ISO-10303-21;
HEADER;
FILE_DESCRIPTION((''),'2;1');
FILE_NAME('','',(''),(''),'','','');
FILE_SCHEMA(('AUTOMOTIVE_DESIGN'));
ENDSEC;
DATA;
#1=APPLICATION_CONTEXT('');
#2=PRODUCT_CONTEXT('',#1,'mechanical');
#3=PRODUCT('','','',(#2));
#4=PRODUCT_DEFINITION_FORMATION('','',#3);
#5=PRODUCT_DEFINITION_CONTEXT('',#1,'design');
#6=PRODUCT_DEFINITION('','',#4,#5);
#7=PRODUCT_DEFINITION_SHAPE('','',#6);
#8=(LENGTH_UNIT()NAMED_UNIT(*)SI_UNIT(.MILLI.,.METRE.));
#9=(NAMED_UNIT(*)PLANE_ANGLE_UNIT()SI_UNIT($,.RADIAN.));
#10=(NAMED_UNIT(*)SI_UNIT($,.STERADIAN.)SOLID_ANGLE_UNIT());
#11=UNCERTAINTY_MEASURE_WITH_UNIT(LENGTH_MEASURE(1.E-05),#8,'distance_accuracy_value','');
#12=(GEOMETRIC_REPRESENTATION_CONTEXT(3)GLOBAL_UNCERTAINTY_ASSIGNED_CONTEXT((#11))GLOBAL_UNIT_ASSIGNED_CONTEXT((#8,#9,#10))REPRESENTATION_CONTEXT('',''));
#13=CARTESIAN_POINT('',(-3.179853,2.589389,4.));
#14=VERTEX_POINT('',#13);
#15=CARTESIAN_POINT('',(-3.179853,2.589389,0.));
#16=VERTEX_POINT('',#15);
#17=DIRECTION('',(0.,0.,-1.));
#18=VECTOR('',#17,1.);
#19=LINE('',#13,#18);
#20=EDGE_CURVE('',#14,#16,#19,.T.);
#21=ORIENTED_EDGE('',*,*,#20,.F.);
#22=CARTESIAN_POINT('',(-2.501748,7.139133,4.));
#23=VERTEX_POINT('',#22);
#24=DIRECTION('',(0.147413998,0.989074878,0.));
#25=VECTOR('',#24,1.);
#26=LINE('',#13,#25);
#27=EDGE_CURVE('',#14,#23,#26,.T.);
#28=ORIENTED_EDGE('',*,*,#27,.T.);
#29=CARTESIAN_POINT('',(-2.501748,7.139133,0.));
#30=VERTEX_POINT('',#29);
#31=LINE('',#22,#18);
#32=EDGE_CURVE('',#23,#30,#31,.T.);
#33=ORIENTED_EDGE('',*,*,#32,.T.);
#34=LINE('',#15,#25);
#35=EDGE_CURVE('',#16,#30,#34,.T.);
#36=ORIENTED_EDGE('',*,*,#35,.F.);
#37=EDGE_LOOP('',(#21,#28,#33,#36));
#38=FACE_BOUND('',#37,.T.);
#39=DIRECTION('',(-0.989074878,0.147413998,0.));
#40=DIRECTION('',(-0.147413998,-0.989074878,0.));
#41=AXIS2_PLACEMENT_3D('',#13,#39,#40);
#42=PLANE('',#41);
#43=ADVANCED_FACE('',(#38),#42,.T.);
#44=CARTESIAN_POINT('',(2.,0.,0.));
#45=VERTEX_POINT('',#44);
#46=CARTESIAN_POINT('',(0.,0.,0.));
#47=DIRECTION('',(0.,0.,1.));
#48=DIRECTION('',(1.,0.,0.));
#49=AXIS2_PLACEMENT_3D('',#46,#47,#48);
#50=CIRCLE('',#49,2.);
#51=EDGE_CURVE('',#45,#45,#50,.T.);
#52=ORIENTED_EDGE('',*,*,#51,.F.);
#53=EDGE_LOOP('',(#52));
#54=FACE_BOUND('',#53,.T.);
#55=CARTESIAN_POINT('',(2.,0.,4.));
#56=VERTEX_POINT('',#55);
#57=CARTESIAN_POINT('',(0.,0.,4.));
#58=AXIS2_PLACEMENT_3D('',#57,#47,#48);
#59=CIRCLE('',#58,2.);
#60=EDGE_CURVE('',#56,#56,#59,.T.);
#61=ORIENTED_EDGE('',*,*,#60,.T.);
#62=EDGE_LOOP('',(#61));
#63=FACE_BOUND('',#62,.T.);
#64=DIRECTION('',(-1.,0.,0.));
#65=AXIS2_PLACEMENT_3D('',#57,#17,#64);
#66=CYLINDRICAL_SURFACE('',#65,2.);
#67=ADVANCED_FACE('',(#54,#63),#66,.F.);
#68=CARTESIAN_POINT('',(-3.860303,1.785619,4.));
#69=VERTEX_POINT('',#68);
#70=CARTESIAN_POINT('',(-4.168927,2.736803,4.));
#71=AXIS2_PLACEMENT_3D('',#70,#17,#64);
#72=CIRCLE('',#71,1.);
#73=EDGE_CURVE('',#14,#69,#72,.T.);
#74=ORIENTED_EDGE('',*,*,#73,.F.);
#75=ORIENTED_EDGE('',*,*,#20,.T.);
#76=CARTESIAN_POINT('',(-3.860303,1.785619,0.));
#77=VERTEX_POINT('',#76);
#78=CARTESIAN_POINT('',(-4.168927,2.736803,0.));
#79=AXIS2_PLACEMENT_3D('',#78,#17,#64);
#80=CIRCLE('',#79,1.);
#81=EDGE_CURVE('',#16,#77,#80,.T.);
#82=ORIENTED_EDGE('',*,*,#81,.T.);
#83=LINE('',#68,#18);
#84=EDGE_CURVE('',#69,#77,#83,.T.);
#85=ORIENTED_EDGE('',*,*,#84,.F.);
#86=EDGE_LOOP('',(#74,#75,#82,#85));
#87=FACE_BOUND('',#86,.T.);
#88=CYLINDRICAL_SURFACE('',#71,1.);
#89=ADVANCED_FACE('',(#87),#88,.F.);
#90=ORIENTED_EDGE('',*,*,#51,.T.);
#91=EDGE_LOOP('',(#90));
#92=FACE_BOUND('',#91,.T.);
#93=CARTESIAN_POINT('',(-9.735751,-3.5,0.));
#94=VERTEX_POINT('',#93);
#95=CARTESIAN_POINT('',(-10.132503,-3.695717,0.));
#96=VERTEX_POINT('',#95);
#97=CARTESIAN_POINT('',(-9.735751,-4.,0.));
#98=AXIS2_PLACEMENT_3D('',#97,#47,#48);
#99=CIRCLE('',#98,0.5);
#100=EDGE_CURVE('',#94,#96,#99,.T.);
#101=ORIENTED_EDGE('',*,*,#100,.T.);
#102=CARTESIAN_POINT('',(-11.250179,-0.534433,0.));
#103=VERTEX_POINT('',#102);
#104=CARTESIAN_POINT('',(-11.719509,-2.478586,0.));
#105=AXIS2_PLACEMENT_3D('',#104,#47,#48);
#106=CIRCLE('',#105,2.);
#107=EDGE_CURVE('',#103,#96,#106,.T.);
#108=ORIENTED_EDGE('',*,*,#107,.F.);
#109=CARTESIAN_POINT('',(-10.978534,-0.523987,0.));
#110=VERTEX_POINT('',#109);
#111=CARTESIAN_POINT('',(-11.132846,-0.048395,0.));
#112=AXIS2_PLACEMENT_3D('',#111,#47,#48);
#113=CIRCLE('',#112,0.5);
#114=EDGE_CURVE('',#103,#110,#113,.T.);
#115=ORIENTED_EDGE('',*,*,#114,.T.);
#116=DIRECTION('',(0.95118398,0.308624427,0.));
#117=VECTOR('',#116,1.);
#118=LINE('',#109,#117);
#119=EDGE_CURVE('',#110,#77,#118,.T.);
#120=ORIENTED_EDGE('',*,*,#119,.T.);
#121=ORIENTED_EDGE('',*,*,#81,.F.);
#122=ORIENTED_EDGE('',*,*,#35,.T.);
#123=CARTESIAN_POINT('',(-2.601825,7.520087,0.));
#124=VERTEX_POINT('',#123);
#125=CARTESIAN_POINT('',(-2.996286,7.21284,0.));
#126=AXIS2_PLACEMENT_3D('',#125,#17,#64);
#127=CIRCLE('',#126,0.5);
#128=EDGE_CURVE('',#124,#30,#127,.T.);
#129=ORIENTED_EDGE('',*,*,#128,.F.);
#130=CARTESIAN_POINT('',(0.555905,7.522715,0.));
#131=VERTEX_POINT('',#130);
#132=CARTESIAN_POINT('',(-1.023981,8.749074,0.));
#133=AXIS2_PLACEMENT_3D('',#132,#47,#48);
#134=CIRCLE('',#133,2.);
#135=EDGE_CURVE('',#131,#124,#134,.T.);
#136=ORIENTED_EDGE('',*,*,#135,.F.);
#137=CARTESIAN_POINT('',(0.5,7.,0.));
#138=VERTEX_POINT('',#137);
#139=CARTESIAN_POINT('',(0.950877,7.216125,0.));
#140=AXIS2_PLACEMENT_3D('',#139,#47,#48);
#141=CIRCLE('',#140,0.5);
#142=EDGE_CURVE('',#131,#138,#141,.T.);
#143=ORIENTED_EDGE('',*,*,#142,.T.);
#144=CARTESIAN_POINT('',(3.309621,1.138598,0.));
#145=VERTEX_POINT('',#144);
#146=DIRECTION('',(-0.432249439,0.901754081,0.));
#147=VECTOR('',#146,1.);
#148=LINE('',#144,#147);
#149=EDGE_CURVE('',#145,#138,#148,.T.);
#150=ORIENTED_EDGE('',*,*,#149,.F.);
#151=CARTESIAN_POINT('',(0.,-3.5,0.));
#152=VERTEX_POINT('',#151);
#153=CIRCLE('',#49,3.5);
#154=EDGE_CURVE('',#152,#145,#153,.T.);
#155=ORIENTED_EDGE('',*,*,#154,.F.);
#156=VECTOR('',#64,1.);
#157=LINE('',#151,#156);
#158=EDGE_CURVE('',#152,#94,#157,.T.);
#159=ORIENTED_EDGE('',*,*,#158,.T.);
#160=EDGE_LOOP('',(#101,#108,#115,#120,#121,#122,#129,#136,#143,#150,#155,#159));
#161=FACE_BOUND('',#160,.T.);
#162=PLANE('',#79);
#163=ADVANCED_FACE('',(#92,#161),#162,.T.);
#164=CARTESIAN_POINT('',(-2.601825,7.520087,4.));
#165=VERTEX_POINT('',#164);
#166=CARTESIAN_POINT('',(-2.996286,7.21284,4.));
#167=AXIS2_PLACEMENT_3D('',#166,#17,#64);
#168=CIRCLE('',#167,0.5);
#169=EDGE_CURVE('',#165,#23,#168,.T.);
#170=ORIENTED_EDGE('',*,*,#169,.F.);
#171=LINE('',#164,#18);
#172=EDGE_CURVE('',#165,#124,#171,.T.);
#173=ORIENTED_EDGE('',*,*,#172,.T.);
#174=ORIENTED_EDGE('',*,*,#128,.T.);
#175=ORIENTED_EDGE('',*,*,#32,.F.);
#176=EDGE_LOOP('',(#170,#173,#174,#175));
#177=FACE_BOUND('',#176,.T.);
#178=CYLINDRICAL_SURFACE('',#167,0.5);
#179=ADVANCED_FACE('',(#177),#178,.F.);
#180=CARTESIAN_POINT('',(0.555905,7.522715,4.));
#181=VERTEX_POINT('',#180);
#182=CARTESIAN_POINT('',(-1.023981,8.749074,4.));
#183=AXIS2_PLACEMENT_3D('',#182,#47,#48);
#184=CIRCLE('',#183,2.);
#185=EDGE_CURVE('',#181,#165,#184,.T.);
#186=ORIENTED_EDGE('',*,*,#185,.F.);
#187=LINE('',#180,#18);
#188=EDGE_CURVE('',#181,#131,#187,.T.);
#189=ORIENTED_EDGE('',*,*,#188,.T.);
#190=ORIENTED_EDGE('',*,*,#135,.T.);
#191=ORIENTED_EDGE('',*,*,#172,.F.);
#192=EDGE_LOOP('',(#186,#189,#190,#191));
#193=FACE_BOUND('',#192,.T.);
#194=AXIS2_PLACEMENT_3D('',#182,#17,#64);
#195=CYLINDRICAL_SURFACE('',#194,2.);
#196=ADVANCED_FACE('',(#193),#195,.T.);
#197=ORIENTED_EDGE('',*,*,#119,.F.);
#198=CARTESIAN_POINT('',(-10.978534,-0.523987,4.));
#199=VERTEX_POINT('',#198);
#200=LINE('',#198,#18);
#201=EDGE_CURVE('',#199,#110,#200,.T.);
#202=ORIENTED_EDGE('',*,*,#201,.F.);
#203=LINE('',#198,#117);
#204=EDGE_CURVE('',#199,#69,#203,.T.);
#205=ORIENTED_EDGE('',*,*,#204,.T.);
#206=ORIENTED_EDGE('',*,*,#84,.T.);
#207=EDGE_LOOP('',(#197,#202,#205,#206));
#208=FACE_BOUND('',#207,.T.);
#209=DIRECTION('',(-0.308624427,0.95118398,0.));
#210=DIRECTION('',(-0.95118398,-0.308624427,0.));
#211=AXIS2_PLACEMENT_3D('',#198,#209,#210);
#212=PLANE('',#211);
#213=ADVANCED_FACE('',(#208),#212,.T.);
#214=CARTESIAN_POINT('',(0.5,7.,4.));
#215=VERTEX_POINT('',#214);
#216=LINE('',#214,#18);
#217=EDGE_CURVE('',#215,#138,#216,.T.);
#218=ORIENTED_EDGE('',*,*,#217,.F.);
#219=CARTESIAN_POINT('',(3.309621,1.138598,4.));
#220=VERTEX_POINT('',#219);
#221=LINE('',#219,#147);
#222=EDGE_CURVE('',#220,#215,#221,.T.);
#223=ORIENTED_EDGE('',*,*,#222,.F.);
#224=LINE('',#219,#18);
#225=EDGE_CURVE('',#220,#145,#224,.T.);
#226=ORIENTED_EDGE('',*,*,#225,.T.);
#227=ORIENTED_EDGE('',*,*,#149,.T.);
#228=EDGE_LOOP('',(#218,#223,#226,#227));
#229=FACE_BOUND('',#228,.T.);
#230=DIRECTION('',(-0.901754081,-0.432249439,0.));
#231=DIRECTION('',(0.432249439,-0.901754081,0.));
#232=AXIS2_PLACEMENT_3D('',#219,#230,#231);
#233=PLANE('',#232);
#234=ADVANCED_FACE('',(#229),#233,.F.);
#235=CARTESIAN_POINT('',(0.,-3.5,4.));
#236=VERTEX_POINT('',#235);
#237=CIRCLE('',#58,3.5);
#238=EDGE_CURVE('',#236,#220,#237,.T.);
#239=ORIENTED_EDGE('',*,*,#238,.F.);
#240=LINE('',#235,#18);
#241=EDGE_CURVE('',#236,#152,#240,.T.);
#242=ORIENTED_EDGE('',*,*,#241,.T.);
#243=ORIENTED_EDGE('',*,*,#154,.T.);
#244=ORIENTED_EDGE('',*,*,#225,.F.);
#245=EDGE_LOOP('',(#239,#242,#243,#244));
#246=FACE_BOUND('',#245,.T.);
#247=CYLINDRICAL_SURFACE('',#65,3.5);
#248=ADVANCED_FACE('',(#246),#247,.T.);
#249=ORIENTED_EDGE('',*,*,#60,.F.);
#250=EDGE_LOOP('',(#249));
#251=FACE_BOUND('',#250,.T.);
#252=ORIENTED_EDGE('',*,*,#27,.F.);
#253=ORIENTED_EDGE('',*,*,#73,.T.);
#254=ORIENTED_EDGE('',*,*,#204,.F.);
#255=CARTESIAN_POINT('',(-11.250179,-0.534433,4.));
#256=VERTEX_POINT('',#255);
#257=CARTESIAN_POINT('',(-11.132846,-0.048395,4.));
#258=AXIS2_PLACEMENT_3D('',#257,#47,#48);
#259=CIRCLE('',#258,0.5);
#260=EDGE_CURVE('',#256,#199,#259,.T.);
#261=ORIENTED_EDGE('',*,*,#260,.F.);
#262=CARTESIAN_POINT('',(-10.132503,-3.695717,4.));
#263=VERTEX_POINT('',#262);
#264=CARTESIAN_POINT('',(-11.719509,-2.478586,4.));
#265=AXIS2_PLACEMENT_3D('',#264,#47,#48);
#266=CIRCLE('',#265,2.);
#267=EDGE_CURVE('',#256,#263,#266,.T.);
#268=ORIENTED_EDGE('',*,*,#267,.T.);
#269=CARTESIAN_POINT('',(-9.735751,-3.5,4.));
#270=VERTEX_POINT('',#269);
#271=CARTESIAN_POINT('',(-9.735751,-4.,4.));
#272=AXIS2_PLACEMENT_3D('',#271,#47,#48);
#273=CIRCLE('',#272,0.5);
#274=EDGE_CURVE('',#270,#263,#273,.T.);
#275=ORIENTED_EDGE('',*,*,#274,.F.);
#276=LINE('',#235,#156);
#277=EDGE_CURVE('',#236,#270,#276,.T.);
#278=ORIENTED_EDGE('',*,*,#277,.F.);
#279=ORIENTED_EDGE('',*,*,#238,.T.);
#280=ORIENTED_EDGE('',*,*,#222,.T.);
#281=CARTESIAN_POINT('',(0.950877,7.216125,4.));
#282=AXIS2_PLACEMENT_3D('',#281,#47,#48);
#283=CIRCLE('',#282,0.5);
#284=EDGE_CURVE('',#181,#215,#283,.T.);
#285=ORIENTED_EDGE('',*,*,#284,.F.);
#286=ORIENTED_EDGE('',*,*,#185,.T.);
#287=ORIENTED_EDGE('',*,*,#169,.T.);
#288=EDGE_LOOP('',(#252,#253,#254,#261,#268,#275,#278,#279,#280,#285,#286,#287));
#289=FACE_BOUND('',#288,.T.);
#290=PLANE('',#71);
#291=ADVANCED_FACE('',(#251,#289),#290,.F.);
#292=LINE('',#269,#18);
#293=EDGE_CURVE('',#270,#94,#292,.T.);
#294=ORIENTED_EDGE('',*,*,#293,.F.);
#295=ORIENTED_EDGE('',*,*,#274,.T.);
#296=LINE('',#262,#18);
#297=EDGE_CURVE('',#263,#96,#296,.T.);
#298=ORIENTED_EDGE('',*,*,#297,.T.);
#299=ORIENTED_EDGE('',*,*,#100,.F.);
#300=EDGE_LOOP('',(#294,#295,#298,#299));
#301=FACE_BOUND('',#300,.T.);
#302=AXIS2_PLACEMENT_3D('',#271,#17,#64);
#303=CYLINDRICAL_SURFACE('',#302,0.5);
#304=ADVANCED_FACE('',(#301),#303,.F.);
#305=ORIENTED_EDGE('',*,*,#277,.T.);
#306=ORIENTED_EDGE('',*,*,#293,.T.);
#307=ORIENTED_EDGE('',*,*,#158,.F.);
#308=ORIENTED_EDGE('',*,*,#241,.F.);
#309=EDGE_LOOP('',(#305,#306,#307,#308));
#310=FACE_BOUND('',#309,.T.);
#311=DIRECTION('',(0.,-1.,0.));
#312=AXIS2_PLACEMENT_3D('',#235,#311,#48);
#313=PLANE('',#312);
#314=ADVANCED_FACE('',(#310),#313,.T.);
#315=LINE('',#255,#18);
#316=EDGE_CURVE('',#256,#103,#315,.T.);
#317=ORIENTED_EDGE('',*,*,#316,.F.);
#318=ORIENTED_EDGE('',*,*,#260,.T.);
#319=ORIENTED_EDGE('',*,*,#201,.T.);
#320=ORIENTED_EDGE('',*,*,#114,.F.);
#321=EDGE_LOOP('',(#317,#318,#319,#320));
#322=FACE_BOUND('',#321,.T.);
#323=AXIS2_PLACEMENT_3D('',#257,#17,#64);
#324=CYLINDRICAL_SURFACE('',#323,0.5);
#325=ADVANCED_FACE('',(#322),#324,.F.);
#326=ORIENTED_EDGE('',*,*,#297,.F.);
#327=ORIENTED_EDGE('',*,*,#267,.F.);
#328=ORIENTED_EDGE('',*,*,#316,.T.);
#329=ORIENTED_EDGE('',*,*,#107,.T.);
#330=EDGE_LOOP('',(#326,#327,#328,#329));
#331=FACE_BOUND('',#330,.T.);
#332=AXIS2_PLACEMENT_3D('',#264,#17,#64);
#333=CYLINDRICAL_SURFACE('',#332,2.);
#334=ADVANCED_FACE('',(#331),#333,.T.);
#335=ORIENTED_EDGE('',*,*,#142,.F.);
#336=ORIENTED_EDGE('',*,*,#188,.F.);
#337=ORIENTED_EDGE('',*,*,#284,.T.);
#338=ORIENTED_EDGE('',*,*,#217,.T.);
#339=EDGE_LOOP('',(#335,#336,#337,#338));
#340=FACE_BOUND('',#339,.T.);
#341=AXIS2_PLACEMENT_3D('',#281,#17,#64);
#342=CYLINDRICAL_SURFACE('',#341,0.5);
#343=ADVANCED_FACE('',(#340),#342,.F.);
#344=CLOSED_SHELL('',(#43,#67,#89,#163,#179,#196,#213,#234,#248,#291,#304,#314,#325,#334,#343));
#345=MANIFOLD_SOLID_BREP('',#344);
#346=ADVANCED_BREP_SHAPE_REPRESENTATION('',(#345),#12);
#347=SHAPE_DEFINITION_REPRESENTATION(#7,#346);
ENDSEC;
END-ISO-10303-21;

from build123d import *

# Parameters (mm, degrees)
ESQUISSE1_R  = 2
LEVIER_DEPTH = 4


with BuildPart() as part:
    # Esquisse1 → levier (new body)
    with BuildSketch(Plane.XY):
        with BuildLine():
            Line((0, -3.5), (-9.735750819, -3.5))
            ThreePointArc((-9.735750819, -3.5), (-9.956950447, -3.551590896), (-10.132502527, -3.695717102))
            ThreePointArc((-10.132502527, -3.695717102), (-13.605128686, -3.145248654), (-11.250178567, -0.534433094))
            ThreePointArc((-11.250178567, -0.534433094), (-11.113632555, -0.548025702), (-10.978533656, -0.52398698))
            Line((-10.978533656, -0.52398698), (-3.86030296, 1.785618641))
            ThreePointArc((-3.86030296, 1.785618641), (-3.405699101, 2.090673699), (-3.179852509, 2.589388623))
            Line((-3.179852509, 2.589388623), (-2.50174812, 7.13913306))
            ThreePointArc((-2.50174812, 7.13913306), (-2.512693838, 7.339879609), (-2.601824704, 7.520086919))
            ThreePointArc((-2.601824704, 7.520086919), (-1.025645596, 10.74907367), (0.555905376, 7.522714648))
            ThreePointArc((0.555905376, 7.522714648), (0.453712421, 7.269297469), (0.5, 7))
            Line((0.5, 7), (3.309621355, 1.138598475))
            ThreePointArc((3.309621355, 1.138598475), (2.849130978, -2.032843494), (0, -3.5))
        make_face()
        Circle(ESQUISSE1_R, mode=Mode.SUBTRACT)
    extrude(amount=LEVIER_DEPTH)


solid = part.part
